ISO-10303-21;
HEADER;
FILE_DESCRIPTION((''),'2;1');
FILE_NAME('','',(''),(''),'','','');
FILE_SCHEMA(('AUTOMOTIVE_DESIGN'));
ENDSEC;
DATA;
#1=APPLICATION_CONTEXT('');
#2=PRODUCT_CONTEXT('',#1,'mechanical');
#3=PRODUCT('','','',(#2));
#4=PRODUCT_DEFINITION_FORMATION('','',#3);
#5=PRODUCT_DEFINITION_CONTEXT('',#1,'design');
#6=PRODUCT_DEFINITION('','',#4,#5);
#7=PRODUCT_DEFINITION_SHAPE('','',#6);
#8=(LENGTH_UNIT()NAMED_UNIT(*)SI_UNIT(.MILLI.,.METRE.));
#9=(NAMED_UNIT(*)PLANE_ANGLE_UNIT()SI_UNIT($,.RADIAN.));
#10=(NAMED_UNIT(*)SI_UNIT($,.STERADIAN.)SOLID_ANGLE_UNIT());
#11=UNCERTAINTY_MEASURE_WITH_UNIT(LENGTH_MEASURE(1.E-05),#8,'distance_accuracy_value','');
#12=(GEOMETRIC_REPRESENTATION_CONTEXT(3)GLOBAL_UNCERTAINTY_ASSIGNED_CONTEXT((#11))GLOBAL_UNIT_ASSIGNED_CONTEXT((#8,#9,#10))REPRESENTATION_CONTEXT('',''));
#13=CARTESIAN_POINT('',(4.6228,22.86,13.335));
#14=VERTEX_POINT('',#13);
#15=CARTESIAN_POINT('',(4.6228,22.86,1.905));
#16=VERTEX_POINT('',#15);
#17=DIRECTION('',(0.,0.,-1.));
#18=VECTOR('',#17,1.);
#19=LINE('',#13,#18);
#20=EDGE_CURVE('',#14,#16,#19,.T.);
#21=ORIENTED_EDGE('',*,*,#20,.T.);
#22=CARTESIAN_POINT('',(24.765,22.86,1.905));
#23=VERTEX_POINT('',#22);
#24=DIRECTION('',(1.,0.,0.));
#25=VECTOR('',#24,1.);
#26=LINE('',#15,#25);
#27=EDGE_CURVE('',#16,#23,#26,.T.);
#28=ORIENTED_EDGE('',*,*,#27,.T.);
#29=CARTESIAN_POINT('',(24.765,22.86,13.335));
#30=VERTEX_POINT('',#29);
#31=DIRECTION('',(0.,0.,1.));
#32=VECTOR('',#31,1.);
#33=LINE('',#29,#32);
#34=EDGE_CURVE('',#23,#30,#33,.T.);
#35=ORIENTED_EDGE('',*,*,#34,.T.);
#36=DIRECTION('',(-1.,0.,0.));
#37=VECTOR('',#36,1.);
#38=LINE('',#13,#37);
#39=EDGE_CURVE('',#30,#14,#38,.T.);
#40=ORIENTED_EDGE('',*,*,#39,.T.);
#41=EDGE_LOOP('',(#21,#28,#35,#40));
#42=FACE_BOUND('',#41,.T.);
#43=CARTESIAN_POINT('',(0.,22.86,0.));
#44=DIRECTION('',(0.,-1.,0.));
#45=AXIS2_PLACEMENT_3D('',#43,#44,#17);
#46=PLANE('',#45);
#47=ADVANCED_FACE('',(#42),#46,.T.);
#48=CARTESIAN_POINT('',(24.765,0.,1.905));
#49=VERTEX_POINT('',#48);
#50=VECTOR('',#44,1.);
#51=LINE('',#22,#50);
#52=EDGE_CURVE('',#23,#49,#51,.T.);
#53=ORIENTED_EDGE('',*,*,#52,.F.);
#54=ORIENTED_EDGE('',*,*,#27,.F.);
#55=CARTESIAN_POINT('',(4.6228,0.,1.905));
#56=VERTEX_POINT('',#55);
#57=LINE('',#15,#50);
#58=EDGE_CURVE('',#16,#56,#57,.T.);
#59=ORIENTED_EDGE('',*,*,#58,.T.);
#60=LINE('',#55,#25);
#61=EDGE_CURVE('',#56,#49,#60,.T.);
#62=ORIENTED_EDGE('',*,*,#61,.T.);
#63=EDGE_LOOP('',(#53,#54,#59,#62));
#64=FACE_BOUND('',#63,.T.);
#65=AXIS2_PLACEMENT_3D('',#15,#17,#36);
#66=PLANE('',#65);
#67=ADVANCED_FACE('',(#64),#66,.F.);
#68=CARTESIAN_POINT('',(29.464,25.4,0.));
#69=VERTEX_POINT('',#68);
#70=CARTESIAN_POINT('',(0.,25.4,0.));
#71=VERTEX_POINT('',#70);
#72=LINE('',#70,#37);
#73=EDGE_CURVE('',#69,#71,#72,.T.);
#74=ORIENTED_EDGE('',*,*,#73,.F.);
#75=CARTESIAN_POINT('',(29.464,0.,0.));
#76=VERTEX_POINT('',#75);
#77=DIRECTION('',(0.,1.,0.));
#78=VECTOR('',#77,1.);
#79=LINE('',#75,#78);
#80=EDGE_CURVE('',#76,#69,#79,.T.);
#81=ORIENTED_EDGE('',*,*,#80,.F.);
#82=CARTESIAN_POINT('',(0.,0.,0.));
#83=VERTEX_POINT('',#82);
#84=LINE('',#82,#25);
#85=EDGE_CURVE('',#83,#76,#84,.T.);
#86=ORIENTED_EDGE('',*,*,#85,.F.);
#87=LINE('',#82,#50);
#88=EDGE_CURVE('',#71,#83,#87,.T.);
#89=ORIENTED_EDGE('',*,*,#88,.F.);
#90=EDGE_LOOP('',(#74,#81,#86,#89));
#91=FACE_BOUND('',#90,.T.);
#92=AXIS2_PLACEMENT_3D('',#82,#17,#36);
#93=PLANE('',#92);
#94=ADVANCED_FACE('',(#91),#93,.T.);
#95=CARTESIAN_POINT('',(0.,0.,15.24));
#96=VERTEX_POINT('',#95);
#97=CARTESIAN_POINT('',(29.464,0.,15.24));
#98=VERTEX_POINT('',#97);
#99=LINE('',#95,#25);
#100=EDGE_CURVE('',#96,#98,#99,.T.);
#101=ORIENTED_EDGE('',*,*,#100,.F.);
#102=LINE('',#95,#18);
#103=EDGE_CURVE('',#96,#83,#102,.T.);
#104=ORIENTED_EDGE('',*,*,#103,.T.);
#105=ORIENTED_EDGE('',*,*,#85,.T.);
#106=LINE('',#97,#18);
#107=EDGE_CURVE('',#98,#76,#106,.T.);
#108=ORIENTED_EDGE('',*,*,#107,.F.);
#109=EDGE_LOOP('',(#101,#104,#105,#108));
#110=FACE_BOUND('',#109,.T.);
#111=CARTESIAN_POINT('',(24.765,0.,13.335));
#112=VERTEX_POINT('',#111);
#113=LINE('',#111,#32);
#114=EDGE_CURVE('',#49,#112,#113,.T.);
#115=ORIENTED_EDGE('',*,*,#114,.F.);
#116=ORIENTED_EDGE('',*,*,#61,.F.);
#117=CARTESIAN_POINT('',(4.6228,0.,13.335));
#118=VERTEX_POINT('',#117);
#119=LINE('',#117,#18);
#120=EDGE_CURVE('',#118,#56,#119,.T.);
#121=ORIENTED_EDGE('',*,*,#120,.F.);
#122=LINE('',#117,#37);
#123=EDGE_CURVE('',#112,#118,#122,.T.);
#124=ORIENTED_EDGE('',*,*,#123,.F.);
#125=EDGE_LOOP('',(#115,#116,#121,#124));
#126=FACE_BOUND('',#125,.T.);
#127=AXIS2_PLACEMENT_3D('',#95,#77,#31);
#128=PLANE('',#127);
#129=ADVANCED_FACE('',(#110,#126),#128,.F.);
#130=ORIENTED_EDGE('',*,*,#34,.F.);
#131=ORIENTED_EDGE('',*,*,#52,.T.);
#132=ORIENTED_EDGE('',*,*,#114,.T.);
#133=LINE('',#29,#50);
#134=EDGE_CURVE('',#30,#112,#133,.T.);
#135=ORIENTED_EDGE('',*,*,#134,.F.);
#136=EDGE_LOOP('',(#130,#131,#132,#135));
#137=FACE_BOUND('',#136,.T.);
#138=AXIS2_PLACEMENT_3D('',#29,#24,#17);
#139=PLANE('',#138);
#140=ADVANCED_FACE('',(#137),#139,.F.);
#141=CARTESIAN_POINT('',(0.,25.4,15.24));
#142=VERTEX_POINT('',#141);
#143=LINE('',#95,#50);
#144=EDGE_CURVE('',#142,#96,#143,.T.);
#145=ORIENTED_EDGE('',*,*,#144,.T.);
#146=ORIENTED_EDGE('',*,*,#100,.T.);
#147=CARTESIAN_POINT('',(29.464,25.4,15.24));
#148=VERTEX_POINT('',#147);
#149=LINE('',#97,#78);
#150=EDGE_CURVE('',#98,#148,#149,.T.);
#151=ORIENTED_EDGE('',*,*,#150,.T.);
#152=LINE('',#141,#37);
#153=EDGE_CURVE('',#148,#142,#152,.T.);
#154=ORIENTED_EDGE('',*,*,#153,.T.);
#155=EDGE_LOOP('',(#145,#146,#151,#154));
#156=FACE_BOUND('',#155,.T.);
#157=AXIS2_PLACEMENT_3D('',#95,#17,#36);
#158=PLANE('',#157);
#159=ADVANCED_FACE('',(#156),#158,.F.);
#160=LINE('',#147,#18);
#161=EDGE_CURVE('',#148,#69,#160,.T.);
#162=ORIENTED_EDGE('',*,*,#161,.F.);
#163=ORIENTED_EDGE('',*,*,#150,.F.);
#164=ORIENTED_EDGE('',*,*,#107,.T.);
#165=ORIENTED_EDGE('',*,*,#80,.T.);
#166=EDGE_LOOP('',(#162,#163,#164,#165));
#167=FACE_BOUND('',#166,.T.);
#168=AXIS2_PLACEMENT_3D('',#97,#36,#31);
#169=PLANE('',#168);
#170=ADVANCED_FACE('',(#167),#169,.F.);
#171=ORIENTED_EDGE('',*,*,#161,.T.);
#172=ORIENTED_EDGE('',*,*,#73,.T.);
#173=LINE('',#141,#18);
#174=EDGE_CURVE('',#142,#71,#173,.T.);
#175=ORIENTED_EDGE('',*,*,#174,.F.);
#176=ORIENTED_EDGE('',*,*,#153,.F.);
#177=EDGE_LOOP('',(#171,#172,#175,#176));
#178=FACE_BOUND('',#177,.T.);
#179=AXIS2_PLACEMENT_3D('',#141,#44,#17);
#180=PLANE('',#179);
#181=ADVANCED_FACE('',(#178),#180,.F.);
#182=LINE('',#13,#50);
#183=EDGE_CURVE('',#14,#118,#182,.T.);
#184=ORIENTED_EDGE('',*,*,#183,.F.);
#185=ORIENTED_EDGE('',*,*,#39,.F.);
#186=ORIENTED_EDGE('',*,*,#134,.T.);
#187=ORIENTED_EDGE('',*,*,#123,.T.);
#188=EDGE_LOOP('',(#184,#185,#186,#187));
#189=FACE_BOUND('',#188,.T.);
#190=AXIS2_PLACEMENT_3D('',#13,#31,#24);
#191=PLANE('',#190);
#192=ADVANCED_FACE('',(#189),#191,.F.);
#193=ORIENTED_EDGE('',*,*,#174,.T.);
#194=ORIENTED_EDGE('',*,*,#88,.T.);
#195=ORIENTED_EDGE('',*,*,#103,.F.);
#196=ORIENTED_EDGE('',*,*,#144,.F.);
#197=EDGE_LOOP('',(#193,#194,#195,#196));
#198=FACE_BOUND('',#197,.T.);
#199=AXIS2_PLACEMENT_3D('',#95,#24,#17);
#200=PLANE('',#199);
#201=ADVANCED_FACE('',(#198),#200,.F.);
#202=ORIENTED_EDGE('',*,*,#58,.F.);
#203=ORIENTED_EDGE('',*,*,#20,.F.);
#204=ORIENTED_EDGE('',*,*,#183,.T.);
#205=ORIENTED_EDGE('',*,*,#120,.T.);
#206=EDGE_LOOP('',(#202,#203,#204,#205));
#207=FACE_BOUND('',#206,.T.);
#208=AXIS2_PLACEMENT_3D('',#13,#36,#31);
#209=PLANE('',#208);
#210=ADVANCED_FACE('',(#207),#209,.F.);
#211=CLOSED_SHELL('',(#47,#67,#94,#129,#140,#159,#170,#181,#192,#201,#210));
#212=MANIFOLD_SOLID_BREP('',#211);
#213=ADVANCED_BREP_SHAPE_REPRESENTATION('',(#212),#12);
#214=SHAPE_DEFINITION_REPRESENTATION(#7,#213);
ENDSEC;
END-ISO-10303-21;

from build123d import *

# Parameters (mm, degrees)
SKETCH1_W           = 29.464
SKETCH1_H           = 25.4
BOSS_EXTRUDE1_DEPTH = 15.24
SKETCH2_W           = 20.1422
SKETCH2_H           = 11.43
CUT_EXTRUDE1_DEPTH  = 22.86


with BuildPart() as part:
    # Sketch1 → Boss-Extrude1 (new body)
    with BuildSketch(Plane.XY):
        with Locations((14.732, 12.7)):
            Rectangle(SKETCH1_W, SKETCH1_H)
    extrude(amount=BOSS_EXTRUDE1_DEPTH)

    # Sketch2 → Cut-Extrude1 (cut)
    with BuildSketch(Plane.XZ):
        with Locations((14.6939, 7.62)):
            Rectangle(SKETCH2_W, SKETCH2_H)
    extrude(amount=-CUT_EXTRUDE1_DEPTH, mode=Mode.SUBTRACT)


solid = part.part
